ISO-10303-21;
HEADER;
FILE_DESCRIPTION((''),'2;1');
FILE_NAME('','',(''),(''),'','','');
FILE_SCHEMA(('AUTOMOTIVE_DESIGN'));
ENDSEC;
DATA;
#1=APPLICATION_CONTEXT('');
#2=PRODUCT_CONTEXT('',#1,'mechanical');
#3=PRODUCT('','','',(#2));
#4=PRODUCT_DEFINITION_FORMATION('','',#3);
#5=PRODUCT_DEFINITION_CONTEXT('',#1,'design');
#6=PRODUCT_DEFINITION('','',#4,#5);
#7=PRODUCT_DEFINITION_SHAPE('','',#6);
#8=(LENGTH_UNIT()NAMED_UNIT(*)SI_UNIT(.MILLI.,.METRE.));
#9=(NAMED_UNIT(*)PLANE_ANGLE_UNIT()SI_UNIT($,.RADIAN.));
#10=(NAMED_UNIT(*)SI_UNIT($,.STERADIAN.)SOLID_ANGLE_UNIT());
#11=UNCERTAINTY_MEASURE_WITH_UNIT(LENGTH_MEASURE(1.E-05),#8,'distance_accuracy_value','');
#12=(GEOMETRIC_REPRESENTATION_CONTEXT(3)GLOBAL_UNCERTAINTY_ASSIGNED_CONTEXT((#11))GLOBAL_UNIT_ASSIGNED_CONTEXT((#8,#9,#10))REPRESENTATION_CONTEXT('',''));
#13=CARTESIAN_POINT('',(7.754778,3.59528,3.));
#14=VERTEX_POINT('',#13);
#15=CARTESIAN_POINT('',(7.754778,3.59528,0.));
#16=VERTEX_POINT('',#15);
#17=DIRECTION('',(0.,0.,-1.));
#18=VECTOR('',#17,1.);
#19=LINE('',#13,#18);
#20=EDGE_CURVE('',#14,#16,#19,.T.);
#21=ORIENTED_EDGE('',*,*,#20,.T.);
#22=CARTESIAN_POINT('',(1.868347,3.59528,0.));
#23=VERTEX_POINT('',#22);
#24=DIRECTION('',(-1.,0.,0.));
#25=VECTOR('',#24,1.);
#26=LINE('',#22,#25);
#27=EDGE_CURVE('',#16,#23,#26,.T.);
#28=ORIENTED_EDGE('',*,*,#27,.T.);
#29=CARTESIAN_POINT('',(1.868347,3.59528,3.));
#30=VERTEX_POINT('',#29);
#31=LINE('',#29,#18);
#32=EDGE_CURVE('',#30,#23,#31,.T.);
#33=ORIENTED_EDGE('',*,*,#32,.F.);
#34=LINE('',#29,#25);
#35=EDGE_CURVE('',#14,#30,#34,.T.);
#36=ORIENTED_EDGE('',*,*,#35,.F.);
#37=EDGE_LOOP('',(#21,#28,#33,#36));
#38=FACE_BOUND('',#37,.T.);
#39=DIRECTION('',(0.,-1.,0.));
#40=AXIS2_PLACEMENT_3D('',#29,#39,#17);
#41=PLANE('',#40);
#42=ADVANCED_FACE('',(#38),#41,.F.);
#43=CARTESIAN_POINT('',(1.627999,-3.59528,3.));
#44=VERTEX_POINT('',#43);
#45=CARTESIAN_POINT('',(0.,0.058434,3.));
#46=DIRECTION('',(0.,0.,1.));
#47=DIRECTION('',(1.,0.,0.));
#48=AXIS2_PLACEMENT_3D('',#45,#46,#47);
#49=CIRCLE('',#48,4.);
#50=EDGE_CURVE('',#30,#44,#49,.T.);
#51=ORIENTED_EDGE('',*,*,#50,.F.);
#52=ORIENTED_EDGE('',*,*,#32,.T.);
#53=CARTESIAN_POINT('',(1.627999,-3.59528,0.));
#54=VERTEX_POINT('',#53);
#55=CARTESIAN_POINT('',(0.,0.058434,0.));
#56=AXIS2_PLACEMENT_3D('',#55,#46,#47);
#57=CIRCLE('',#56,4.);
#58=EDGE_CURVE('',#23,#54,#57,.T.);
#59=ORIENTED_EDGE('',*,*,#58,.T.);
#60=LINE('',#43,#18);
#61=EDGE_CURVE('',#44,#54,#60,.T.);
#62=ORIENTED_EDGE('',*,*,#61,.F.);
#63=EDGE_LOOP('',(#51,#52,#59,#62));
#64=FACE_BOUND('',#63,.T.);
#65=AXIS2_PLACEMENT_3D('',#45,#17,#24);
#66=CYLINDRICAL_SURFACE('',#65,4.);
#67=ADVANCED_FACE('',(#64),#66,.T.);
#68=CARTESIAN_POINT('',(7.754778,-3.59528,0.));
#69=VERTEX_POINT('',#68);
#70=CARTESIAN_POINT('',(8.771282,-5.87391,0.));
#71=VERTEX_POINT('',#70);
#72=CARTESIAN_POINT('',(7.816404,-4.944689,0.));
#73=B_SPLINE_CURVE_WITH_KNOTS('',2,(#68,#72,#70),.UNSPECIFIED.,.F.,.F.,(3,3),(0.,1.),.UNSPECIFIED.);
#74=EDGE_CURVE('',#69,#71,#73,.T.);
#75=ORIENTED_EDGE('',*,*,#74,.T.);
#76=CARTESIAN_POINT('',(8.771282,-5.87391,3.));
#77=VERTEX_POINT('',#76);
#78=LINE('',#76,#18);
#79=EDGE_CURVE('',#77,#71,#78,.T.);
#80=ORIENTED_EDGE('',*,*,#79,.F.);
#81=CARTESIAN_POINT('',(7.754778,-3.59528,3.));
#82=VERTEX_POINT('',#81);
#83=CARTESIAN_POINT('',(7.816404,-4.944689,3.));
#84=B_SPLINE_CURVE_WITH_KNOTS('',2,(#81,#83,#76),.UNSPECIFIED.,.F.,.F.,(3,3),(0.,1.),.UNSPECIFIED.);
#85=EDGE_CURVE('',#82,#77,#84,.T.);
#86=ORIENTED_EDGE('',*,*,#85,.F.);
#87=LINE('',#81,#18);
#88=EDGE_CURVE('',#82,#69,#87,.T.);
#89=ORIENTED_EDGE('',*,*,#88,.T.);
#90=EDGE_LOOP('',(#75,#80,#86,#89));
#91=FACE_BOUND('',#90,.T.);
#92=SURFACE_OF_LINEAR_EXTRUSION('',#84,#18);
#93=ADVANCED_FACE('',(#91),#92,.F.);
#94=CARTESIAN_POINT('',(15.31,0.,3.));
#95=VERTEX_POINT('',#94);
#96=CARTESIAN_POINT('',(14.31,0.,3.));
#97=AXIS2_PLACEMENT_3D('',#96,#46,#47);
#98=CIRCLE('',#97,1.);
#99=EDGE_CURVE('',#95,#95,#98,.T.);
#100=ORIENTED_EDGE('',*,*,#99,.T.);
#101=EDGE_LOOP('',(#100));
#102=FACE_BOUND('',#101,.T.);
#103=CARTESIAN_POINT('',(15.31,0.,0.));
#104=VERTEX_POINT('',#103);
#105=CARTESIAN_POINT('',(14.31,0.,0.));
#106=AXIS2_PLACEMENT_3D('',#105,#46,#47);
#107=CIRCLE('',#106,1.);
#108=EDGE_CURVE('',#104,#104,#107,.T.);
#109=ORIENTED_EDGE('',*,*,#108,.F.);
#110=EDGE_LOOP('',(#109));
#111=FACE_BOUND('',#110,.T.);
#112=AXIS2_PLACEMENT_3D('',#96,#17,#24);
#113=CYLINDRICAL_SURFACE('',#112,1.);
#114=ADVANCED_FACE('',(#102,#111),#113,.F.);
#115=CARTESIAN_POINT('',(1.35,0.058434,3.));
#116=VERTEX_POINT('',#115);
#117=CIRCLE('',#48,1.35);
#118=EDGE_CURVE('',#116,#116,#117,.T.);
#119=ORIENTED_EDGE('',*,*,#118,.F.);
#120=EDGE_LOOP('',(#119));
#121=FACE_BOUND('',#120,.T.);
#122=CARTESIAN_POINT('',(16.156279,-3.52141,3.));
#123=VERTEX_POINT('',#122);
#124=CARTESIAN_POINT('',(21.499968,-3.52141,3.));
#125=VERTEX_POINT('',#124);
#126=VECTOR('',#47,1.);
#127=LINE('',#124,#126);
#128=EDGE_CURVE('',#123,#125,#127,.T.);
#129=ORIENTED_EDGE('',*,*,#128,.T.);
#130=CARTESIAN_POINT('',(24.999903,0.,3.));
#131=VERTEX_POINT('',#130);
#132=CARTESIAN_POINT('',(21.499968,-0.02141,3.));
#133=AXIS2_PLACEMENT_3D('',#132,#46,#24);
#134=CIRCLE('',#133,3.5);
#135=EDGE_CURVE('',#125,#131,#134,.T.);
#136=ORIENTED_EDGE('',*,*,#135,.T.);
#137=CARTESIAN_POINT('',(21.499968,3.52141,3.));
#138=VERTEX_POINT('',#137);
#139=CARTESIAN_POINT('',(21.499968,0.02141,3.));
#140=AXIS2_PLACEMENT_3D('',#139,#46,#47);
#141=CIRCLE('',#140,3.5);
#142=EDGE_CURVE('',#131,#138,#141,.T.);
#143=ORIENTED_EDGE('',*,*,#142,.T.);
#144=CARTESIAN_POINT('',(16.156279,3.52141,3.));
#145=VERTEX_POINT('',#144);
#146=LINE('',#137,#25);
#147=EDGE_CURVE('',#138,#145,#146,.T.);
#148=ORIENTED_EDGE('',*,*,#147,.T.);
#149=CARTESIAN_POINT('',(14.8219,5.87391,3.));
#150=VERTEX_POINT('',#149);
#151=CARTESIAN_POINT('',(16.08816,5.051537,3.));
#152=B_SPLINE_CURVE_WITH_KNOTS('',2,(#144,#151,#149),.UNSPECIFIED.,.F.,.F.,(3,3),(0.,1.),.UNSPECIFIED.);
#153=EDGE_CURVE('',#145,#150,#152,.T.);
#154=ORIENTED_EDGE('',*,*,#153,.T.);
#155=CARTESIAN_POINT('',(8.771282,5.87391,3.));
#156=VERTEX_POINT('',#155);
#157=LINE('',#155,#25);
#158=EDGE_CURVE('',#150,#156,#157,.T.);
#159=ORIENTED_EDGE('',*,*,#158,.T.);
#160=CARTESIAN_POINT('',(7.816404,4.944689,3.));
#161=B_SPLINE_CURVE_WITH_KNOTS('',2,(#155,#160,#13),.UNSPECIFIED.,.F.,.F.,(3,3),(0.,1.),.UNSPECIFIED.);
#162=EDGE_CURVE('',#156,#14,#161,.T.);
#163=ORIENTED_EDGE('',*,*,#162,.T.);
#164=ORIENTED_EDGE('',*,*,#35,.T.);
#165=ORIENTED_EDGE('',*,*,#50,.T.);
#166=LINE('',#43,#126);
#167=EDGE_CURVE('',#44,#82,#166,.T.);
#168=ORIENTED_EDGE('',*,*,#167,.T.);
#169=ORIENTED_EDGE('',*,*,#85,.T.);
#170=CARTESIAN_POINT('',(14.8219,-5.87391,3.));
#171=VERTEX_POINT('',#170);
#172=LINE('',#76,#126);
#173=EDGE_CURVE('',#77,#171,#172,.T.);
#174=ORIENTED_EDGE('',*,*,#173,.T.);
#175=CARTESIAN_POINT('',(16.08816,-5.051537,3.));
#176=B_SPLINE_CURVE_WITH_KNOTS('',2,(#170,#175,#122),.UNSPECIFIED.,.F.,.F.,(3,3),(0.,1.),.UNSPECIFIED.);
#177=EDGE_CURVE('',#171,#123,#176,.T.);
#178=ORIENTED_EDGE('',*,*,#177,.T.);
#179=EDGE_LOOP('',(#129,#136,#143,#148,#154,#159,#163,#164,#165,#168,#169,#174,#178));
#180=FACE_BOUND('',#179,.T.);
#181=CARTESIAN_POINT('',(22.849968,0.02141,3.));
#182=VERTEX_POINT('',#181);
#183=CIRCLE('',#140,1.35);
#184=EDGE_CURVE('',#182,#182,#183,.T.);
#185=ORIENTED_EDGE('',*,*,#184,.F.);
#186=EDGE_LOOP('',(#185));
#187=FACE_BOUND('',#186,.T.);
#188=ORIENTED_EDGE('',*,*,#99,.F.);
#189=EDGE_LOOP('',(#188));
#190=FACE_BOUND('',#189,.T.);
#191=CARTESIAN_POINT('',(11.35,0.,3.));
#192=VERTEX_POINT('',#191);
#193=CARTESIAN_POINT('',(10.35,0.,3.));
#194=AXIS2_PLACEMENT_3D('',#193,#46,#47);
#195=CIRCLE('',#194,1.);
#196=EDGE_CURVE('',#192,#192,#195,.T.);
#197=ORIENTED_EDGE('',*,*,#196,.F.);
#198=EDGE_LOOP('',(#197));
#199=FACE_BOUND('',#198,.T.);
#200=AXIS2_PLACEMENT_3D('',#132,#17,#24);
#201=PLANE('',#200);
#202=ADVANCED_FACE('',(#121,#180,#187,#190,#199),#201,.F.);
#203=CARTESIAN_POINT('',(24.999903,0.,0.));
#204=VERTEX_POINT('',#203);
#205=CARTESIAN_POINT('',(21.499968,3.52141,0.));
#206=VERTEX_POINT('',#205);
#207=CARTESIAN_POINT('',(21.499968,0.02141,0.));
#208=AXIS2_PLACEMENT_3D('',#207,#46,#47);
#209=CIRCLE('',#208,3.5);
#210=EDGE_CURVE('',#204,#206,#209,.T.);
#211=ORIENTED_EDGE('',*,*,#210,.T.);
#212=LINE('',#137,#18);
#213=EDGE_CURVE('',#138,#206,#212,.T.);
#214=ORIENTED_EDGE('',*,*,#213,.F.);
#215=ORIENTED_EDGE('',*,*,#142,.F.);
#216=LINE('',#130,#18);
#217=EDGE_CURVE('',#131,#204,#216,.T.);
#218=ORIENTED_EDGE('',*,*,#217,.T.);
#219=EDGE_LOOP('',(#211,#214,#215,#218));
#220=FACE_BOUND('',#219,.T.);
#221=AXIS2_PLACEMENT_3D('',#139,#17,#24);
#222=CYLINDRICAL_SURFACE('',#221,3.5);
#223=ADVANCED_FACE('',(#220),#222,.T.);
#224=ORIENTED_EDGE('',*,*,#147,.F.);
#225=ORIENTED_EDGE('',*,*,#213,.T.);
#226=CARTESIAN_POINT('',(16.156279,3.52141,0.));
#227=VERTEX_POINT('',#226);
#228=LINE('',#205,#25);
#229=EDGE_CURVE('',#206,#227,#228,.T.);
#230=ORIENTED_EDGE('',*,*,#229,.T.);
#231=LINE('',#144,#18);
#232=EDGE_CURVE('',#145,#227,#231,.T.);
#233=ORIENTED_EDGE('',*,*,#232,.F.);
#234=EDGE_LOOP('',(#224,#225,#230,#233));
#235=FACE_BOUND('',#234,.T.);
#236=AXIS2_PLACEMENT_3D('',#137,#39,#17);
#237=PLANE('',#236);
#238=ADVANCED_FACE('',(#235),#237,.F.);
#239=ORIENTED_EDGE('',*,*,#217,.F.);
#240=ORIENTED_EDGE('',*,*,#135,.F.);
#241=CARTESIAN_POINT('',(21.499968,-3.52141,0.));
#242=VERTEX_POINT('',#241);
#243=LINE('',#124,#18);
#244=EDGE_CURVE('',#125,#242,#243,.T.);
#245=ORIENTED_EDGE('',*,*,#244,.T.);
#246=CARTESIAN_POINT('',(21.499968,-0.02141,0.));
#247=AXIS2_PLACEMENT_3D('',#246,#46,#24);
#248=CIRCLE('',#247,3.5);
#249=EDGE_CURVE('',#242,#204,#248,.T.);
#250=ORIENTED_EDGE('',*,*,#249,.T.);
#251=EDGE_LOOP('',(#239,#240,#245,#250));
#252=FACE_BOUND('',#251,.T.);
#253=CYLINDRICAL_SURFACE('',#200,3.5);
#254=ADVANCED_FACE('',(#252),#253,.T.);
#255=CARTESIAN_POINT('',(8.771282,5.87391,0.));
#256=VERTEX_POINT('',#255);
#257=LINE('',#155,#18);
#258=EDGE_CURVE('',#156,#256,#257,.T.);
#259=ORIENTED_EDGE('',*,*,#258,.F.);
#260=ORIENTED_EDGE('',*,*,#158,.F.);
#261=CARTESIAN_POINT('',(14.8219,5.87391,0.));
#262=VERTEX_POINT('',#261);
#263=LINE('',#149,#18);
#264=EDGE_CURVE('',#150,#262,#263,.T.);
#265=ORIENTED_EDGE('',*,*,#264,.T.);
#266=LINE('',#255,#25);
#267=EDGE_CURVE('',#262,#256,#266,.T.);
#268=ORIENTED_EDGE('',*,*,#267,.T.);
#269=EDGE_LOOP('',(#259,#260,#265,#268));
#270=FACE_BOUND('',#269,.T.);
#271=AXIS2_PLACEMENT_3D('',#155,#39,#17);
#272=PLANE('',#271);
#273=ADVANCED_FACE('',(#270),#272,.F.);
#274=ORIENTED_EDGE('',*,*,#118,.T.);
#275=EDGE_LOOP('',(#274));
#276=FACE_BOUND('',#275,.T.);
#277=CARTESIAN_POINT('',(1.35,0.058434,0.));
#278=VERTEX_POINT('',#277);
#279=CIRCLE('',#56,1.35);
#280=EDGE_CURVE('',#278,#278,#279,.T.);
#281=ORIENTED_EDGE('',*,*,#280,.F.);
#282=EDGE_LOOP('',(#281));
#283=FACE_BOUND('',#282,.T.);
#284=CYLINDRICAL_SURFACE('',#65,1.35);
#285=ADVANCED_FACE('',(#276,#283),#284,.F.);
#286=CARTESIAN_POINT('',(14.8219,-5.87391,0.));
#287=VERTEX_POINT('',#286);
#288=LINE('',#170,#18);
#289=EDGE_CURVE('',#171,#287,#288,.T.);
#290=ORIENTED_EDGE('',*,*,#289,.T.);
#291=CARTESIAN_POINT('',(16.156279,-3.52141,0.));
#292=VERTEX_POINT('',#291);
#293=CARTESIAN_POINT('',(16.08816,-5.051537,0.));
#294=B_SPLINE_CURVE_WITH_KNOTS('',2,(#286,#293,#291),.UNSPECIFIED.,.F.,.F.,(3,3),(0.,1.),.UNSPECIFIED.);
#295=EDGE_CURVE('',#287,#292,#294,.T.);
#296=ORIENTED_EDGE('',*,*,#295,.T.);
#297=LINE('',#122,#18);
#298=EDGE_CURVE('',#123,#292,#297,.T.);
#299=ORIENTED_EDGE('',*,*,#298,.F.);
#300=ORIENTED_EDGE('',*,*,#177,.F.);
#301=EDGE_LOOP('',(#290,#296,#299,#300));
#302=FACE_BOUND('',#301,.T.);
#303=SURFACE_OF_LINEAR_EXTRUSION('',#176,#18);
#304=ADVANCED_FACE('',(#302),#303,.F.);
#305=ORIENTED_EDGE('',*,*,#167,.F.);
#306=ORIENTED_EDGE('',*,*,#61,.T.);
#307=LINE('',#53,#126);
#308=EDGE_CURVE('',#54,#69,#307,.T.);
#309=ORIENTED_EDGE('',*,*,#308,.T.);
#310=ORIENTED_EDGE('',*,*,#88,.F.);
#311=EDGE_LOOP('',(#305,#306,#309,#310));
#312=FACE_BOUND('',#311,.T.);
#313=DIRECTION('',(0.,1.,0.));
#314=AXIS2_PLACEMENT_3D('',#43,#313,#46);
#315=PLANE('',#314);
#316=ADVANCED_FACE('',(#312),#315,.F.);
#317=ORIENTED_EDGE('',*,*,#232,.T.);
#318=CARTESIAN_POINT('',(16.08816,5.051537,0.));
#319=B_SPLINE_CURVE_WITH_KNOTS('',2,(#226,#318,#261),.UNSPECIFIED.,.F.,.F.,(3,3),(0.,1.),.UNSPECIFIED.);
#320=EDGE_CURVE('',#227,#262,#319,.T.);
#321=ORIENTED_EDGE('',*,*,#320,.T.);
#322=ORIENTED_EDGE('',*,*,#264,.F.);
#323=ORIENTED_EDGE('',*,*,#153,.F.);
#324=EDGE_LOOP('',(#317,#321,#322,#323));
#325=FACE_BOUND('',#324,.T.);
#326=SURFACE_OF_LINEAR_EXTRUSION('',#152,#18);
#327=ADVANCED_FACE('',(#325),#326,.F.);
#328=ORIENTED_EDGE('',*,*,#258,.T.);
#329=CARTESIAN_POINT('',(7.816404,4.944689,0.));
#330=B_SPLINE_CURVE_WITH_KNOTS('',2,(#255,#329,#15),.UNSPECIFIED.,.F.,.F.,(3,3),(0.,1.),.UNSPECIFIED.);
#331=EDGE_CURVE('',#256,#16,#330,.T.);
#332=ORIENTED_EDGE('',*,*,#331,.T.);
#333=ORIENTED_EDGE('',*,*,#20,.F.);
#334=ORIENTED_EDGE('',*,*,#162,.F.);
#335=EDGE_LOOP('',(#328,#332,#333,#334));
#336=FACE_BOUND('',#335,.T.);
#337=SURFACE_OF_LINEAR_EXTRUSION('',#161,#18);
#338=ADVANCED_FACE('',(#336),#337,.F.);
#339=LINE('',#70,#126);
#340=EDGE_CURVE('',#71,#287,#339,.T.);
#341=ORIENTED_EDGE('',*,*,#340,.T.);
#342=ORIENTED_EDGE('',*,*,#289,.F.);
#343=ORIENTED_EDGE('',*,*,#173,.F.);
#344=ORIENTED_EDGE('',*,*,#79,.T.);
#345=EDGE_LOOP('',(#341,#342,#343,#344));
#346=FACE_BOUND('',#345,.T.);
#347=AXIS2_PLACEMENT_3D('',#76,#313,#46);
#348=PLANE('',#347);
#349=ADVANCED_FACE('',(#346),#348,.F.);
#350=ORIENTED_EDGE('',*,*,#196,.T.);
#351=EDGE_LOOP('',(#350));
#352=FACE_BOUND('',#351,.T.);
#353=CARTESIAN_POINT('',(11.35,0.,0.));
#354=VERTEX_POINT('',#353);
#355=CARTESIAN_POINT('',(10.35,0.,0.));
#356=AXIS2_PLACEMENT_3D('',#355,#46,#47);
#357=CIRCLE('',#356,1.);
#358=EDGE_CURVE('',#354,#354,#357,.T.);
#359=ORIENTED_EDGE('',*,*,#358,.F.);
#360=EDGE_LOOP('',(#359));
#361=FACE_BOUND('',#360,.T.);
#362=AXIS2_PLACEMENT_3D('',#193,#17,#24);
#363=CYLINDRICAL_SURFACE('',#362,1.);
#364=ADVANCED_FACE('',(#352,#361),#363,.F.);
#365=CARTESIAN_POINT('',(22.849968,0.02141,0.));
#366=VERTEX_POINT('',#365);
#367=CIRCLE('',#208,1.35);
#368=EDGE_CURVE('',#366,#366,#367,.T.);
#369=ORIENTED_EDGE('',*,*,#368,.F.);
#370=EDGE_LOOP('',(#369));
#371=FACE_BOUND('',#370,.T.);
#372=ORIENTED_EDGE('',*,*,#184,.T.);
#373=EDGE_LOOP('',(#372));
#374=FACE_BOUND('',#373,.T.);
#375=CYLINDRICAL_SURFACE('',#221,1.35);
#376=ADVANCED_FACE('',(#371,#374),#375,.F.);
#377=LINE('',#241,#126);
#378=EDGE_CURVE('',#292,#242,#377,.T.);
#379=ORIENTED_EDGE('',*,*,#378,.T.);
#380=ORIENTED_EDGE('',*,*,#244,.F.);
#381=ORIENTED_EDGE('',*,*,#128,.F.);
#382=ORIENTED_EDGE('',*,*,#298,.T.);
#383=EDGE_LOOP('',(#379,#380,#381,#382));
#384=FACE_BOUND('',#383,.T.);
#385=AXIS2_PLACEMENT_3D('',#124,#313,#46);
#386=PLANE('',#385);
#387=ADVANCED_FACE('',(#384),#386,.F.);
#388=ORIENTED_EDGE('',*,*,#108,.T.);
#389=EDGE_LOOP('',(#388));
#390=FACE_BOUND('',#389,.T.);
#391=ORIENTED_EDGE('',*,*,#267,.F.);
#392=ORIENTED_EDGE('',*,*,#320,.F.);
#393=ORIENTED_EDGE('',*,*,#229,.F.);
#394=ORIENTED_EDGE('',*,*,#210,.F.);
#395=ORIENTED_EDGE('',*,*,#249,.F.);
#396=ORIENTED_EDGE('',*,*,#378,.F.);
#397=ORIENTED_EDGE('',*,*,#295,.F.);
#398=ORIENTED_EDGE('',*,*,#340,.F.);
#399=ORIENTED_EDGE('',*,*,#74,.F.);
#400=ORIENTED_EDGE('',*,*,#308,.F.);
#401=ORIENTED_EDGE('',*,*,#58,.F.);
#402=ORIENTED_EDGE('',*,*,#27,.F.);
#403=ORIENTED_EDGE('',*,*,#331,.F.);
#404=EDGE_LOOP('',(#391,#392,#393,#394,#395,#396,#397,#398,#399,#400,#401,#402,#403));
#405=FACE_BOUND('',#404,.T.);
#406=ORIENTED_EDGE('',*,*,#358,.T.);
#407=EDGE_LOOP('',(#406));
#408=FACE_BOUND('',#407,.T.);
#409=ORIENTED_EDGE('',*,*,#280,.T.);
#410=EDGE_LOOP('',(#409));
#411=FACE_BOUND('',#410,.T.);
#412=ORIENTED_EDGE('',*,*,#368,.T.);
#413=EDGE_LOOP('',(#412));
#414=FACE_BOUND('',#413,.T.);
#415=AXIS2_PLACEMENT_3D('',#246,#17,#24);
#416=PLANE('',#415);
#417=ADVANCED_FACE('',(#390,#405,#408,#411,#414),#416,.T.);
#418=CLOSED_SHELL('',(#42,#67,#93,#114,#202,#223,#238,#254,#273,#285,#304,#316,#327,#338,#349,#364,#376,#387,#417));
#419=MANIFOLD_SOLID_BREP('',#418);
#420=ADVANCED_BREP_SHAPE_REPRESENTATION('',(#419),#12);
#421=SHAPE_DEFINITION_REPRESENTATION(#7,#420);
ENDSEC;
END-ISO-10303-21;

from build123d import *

# Parameters (mm, degrees)
SKETCH_3_R      = 1.35
SKETCH_3_R_2    = 1
EXTRUDE_2_DEPTH = 3


with BuildPart() as part:
    # 草图3 → 凸台-拉伸2 (new body)
    with BuildSketch(Plane.XY):
        with BuildLine():
            Line((21.499968123, 3.52141019), (16.156278552, 3.52141019))
            add(Edge.make_bspline(
                [(16.156278552, 3.52141019), (16.088160339, 5.051537173), (14.821900334, 5.873909505)],
                knots=[0, 0, 0, 1, 1, 1], degree=2))
            Line((14.821900334, 5.873909505), (8.771282217, 5.873909505))
            add(Edge.make_bspline(
                [(7.754778373, 3.595279655), (7.816403966, 4.944689103), (8.771282217, 5.873909505)],
                knots=[0, 0, 0, 1, 1, 1], degree=2))
            Line((7.754778373, 3.595279655), (1.868346732, 3.595279655))
            ThreePointArc((1.868346732, 3.595279655), (-3.997767344, 0.192060873), (1.627998751, -3.595279655))
            Line((1.627998751, -3.595279655), (7.754778373, -3.595279655))
            add(Edge.make_bspline(
                [(7.754778373, -3.595279655), (7.816403966, -4.944689103), (8.771282217, -5.873909505)],
                knots=[0, 0, 0, 1, 1, 1], degree=2))
            Line((8.771282217, -5.873909505), (14.821900334, -5.873909505))
            add(Edge.make_bspline(
                [(16.156278552, -3.52141019), (16.088160339, -5.051537173), (14.821900334, -5.873909505)],
                knots=[0, 0, 0, 1, 1, 1], degree=2))
            Line((16.156278552, -3.52141019), (21.499968123, -3.52141019))
            ThreePointArc((21.499968123, -3.52141019), (23.982399961, -2.488702667), (24.999902637, 0))
            ThreePointArc((24.999902637, 0), (23.982399961, 2.488702667), (21.499968123, 3.52141019))
        make_face()
        with Locations((0, 0.058433534)):
            Circle(SKETCH_3_R, mode=Mode.SUBTRACT)
        with Locations((10.35, 0)):
            Circle(SKETCH_3_R_2, mode=Mode.SUBTRACT)
        with Locations((14.31, 0)):
            Circle(SKETCH_3_R_2, mode=Mode.SUBTRACT)
        with Locations((21.499968123, 0.02141019)):
            Circle(SKETCH_3_R, mode=Mode.SUBTRACT)
    extrude(amount=EXTRUDE_2_DEPTH)


solid = part.part
